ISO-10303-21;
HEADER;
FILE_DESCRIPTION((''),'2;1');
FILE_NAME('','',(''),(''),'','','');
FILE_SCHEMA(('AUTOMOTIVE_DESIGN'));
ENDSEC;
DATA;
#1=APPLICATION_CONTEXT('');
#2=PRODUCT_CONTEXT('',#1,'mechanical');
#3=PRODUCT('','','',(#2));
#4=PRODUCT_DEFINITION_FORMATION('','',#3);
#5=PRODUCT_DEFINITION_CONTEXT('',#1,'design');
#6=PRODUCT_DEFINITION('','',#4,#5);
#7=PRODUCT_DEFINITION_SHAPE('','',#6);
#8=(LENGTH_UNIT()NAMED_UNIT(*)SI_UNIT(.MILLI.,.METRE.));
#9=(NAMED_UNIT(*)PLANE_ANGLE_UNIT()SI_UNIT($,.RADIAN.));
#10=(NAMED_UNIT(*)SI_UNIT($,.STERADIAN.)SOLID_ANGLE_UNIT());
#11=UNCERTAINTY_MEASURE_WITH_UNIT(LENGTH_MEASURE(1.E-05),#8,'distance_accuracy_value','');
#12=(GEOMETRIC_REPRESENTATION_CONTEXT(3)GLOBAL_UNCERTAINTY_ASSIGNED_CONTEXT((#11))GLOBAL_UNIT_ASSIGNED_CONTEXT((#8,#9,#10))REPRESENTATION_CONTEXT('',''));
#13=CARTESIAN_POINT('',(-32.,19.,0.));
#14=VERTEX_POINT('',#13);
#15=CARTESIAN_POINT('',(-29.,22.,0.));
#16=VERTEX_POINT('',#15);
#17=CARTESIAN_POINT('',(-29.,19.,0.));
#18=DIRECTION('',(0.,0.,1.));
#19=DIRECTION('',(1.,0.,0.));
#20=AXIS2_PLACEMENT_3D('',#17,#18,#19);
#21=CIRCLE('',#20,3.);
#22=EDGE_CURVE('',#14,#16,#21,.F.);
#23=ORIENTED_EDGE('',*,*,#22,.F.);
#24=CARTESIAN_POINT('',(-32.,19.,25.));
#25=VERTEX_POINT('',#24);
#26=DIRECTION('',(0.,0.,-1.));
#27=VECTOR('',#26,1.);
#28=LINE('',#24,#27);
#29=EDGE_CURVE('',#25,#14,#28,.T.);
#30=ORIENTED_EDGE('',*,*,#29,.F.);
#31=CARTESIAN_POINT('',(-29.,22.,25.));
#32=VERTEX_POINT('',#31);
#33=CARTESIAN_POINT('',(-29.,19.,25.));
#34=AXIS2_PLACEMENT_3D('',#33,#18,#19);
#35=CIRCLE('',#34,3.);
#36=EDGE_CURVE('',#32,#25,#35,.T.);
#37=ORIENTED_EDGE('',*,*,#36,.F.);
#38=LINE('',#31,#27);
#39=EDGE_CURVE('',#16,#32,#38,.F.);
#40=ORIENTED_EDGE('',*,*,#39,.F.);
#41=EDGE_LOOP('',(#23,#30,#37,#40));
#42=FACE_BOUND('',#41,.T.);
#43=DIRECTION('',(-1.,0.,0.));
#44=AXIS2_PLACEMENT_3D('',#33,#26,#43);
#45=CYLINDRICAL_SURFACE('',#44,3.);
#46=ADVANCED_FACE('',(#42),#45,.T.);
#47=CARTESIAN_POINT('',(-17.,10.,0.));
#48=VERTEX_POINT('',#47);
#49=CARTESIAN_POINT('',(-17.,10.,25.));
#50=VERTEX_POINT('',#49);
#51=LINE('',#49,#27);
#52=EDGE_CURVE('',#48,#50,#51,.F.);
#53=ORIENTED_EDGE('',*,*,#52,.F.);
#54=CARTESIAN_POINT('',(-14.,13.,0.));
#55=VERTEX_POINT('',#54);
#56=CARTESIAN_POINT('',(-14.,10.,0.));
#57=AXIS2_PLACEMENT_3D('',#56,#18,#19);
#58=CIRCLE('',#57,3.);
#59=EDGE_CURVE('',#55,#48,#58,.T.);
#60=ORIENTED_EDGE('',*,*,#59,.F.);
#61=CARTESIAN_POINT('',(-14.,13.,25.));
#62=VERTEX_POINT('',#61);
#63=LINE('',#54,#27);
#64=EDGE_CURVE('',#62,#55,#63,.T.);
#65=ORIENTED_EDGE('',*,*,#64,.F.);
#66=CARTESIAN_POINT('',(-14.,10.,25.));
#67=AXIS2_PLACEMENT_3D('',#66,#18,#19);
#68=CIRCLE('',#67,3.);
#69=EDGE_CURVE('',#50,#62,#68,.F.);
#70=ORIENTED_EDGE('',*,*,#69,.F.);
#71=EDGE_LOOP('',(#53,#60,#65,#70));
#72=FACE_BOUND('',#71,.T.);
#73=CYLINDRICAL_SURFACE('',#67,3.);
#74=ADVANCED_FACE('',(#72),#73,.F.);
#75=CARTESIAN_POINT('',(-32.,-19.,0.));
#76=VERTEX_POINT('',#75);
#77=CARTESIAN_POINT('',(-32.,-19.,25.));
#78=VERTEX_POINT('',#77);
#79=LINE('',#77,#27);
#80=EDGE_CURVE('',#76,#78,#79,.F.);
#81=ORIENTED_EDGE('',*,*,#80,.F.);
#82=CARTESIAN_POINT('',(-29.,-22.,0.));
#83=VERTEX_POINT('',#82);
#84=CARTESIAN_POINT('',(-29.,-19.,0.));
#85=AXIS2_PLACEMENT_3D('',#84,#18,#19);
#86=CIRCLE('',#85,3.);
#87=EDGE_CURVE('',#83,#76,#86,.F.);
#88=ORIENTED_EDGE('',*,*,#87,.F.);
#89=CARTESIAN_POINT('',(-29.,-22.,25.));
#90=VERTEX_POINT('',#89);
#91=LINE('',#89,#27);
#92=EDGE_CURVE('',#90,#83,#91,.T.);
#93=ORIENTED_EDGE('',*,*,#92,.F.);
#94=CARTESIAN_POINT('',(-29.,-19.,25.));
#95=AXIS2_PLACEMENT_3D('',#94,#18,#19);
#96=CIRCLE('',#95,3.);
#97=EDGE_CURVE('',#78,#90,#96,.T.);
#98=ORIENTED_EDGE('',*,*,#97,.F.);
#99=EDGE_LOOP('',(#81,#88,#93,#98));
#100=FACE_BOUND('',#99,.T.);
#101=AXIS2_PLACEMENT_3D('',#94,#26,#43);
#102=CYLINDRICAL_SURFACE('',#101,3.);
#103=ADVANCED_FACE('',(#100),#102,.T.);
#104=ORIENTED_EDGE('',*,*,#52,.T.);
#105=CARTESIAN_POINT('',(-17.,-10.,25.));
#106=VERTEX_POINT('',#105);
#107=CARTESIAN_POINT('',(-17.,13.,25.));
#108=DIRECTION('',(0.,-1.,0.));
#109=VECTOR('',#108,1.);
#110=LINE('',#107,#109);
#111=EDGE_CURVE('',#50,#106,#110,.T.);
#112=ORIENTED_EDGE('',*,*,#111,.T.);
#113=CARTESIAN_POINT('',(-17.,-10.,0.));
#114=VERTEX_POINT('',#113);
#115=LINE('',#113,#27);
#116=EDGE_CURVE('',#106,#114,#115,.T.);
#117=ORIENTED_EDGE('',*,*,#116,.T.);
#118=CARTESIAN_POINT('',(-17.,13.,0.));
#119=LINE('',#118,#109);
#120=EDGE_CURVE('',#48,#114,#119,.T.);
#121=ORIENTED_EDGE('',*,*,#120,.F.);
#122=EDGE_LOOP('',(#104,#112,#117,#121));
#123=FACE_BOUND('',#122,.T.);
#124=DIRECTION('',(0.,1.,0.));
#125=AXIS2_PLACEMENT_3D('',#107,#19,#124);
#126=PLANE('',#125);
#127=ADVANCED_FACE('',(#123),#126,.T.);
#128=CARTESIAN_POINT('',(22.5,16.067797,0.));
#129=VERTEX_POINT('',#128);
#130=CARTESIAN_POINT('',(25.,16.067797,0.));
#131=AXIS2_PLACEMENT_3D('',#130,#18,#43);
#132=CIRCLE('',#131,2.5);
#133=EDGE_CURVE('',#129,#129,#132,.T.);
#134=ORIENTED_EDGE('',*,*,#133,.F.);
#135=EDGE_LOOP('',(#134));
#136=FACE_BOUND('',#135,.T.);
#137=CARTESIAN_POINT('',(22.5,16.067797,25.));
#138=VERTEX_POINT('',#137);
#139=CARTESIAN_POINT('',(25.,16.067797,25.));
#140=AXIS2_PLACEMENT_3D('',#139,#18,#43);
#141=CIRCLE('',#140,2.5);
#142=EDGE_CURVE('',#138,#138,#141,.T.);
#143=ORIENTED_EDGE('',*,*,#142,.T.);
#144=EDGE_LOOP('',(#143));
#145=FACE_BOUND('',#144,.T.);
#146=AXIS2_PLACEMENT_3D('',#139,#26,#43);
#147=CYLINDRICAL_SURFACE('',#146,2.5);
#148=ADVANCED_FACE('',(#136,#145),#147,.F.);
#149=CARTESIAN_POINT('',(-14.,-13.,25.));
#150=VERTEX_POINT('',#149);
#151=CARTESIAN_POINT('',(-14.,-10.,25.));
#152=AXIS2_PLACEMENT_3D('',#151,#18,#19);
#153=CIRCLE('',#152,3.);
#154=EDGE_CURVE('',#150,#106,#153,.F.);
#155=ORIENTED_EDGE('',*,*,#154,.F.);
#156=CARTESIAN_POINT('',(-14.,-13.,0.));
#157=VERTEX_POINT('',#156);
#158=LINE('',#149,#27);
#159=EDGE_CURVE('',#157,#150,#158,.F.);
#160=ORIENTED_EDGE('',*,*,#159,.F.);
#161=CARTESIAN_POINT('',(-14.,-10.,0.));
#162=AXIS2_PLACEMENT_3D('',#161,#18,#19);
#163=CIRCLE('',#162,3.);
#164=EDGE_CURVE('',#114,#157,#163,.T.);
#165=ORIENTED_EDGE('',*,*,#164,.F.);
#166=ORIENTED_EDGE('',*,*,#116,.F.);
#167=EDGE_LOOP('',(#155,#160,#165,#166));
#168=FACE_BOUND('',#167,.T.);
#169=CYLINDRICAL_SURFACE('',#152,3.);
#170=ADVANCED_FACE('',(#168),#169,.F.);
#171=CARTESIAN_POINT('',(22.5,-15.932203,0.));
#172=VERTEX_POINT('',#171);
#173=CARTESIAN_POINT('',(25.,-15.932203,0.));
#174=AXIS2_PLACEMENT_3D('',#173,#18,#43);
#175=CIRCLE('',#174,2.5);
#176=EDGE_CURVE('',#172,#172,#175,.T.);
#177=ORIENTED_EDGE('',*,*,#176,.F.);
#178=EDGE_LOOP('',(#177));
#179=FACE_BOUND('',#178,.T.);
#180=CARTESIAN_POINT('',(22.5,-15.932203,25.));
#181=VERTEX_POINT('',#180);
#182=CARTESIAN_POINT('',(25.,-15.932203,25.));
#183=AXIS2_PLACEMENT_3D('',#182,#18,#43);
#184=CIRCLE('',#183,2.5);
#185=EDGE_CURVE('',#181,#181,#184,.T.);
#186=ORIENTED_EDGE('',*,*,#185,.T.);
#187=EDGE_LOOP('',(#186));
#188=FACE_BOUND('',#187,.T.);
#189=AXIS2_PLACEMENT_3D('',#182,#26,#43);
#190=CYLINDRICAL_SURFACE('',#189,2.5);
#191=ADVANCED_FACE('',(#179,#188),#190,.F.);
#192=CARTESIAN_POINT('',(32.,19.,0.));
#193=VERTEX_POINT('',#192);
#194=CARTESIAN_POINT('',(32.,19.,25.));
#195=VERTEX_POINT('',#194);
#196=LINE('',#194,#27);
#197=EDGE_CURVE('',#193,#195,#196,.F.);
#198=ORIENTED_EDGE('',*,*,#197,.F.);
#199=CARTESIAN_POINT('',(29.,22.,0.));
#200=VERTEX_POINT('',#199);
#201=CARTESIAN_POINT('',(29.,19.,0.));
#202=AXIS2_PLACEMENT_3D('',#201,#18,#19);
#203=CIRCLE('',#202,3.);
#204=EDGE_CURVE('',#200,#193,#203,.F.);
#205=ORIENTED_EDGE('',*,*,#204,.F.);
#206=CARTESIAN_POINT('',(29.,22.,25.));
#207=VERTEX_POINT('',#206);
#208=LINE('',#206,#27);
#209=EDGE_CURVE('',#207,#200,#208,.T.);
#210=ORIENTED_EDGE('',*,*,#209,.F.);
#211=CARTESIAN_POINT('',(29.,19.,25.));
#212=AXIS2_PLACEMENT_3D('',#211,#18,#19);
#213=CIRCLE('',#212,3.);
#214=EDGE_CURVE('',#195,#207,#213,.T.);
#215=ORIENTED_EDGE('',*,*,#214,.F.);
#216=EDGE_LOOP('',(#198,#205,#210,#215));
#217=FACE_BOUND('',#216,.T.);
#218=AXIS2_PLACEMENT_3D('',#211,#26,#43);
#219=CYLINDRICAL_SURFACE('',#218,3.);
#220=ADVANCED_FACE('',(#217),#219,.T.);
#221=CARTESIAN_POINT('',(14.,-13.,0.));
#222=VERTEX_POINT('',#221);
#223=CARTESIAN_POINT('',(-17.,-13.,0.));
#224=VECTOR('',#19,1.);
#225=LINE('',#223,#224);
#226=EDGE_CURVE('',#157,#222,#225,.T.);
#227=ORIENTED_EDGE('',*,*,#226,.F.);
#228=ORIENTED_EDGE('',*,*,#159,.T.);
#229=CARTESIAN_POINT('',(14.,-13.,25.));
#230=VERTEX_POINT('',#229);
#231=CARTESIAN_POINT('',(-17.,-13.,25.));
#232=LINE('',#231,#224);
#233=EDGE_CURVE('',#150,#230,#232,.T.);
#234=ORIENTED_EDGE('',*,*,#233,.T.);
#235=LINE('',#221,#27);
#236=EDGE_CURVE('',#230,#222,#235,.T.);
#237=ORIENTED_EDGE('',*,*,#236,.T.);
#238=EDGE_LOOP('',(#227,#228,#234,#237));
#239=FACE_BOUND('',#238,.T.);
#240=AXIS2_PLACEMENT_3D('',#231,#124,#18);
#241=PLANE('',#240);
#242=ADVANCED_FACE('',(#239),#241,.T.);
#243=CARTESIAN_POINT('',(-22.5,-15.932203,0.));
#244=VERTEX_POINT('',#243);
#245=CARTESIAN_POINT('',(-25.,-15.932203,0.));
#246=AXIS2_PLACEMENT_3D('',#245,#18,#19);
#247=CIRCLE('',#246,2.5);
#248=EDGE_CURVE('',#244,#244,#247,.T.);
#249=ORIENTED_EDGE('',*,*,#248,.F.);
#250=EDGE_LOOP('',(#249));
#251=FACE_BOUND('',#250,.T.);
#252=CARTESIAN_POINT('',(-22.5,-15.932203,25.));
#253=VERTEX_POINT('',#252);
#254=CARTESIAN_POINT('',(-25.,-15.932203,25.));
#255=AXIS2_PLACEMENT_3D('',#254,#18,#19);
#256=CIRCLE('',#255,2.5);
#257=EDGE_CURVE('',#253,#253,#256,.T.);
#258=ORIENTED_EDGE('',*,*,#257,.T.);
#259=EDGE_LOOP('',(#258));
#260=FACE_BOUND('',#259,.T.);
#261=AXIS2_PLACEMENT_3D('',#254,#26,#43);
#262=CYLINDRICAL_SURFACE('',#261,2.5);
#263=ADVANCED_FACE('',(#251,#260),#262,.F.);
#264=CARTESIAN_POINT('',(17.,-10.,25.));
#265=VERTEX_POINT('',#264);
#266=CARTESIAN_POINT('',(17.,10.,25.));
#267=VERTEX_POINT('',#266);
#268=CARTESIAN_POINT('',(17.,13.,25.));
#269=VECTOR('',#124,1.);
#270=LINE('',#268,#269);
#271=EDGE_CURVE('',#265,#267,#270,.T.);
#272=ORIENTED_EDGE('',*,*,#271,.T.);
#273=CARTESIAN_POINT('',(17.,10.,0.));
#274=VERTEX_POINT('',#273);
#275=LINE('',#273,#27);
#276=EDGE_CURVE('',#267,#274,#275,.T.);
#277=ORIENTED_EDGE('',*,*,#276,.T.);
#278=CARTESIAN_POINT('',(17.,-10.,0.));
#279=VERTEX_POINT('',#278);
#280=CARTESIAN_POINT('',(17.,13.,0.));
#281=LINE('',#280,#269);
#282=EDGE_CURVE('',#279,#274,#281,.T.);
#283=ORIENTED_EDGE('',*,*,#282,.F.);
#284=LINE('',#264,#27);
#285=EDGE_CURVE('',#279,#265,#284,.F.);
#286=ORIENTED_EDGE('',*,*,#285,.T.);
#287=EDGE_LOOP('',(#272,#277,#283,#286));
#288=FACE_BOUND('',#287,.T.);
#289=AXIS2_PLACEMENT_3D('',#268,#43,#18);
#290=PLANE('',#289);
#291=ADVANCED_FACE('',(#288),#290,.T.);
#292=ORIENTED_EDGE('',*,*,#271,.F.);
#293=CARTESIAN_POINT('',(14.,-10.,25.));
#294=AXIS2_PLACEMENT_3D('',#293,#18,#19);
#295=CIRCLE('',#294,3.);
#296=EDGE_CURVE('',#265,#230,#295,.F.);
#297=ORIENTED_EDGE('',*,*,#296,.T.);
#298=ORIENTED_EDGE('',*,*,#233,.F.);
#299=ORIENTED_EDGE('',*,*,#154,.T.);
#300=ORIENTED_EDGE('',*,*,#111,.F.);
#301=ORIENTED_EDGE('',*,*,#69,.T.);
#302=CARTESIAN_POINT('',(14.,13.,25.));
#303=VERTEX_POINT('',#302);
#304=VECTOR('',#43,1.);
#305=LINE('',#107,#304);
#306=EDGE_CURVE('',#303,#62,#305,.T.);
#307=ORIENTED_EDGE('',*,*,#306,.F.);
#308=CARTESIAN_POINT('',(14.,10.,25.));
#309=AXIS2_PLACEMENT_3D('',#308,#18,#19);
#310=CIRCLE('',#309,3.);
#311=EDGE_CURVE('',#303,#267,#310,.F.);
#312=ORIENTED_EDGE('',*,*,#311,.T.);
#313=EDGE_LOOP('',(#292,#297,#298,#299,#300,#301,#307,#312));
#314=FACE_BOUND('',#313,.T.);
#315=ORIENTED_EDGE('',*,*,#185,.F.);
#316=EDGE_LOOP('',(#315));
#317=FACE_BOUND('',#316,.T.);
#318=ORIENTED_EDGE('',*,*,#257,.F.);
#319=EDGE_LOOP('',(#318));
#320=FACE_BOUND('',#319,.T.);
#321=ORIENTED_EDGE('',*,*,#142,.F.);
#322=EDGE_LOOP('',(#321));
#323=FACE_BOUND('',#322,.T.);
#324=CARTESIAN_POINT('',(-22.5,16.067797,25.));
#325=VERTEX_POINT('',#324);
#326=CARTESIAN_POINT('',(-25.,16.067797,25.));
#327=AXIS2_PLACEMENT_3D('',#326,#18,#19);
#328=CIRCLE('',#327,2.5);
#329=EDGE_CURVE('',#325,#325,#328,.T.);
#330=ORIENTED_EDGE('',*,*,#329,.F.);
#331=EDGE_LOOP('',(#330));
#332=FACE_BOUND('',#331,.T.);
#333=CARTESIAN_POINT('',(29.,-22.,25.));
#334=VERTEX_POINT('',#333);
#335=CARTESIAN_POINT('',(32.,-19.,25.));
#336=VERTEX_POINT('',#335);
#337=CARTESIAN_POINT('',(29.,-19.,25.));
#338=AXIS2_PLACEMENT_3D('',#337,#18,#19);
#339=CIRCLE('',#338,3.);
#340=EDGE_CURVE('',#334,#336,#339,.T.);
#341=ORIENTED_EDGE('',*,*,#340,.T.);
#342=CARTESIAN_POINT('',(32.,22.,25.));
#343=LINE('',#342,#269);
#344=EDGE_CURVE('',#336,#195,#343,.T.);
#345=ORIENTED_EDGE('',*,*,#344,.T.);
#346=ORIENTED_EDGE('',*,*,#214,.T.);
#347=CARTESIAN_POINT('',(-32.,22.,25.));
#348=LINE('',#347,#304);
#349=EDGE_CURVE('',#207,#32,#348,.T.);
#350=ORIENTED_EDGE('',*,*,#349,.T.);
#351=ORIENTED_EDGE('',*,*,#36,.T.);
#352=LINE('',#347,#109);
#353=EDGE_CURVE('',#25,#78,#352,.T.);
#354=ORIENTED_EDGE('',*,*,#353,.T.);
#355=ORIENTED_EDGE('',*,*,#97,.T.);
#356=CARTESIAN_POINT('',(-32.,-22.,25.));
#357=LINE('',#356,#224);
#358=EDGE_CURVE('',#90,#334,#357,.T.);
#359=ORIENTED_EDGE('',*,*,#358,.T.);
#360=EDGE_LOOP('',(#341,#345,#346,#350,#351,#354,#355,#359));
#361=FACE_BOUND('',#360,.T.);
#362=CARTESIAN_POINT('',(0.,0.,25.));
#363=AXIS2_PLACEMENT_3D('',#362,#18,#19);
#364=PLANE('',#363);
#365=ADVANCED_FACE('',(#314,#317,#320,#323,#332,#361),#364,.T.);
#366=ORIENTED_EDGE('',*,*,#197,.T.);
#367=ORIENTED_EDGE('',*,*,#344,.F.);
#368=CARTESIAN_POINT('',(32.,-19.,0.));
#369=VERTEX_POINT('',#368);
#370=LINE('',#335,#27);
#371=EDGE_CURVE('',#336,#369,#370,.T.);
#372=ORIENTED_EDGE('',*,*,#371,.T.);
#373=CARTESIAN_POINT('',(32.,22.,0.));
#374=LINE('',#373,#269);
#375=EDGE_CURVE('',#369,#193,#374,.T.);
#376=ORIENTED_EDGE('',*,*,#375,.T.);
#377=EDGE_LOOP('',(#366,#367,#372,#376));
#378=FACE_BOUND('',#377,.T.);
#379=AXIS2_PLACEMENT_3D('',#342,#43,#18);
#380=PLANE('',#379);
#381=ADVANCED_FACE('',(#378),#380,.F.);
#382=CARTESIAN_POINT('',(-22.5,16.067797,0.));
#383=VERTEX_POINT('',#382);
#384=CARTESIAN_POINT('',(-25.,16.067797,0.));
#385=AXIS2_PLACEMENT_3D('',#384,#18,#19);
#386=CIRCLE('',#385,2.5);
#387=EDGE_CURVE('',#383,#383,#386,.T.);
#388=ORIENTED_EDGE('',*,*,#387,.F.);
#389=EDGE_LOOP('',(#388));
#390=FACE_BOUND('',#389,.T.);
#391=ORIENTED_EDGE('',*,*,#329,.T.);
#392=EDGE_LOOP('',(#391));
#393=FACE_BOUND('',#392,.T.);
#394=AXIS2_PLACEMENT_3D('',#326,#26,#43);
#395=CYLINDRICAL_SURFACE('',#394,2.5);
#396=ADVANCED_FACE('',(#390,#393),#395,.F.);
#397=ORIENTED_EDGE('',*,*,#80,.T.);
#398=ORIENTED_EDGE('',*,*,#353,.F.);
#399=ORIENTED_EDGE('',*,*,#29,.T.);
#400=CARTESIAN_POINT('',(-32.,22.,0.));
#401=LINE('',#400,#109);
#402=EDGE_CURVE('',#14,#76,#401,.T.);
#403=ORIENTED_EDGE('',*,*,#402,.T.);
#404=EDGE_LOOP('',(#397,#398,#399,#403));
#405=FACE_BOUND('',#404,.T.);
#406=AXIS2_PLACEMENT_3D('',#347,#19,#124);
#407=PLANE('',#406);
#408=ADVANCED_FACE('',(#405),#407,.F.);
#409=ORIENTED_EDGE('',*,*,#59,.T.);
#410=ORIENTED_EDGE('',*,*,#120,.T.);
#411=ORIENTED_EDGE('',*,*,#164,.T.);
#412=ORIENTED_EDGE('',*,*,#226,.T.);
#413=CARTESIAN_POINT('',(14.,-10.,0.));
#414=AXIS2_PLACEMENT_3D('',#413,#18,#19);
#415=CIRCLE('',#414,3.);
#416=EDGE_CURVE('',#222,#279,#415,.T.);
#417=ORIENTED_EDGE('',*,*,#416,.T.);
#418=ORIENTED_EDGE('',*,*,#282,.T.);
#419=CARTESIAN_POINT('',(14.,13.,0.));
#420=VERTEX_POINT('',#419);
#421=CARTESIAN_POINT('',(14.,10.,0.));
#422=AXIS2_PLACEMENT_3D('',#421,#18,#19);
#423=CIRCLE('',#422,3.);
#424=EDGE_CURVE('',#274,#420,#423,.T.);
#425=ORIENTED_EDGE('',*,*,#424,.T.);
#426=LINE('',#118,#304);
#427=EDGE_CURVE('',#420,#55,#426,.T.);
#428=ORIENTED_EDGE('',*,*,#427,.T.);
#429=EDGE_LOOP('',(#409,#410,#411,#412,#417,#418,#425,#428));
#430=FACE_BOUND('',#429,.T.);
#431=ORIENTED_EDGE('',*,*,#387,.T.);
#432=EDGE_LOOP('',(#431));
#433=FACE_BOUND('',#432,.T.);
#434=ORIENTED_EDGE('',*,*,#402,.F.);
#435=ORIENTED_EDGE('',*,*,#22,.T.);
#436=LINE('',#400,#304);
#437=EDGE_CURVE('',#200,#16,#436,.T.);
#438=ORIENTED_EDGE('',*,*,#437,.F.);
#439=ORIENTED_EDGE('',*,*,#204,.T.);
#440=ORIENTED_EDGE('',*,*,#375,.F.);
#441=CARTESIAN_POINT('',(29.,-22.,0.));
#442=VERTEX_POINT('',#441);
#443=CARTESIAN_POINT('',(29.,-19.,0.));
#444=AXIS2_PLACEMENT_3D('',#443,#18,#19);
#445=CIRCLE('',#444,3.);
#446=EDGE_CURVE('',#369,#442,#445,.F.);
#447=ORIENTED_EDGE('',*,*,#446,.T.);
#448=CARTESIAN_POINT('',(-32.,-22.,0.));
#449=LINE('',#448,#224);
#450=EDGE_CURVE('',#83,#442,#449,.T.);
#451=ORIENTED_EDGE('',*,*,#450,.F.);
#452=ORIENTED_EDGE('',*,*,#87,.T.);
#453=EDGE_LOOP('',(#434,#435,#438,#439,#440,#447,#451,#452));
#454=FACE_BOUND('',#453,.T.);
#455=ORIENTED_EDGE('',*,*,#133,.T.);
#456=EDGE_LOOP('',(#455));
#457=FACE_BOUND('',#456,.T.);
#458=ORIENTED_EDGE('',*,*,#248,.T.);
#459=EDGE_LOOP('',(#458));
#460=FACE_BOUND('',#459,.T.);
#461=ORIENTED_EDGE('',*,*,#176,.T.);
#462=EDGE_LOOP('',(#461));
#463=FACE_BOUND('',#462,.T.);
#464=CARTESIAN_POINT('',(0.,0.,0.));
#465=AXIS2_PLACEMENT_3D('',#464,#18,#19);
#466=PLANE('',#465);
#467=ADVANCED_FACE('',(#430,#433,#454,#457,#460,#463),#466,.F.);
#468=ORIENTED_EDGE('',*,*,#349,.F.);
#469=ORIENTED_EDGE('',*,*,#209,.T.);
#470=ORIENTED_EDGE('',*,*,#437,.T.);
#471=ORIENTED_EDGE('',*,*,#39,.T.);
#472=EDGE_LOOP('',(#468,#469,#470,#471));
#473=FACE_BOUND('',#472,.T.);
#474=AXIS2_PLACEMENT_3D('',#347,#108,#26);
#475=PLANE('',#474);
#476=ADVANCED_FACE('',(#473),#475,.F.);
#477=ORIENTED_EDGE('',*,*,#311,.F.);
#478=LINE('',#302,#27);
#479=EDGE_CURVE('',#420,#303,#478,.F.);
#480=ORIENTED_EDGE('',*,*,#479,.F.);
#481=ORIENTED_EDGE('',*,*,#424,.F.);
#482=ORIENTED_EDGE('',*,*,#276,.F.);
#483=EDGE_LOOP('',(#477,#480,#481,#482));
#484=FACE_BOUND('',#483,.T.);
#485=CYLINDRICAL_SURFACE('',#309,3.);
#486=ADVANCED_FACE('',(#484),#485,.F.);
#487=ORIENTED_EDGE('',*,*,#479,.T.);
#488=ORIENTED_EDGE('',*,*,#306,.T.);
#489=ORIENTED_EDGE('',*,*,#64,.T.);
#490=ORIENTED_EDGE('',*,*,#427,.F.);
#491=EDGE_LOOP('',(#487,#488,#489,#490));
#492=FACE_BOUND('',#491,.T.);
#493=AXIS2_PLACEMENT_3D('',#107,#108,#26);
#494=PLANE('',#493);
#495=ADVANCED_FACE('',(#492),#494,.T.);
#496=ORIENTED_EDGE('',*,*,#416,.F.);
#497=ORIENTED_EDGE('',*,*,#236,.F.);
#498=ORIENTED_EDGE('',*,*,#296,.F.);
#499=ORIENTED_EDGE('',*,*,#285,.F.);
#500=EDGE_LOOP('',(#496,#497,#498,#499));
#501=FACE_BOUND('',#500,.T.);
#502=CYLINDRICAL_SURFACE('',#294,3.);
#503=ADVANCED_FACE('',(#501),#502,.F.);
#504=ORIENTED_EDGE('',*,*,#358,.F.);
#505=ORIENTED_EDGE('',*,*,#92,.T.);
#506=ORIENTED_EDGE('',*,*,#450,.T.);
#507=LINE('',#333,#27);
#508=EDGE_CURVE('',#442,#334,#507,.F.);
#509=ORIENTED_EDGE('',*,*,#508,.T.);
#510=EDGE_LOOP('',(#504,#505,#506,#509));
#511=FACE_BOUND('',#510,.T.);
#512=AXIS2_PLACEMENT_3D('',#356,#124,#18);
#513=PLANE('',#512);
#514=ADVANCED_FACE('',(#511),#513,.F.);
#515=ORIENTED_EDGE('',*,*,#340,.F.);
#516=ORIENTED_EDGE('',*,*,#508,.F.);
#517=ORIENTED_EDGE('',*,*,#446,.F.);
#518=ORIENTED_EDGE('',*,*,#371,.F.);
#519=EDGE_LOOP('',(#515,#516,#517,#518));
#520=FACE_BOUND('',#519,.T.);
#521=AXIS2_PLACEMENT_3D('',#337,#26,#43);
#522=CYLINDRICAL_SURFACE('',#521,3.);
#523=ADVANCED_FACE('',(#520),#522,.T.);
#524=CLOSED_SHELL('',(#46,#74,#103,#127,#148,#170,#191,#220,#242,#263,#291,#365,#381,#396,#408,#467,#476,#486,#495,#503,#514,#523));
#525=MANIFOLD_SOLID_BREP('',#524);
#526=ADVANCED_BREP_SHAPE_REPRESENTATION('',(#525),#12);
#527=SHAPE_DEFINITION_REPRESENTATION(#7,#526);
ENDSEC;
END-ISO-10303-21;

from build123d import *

# Parameters (mm, degrees)
SKETCH_1_W      = 64
SKETCH_1_H      = 44
SKETCH_1_R      = 2.5
SKETCH_1_W_2    = 34
SKETCH_1_H_2    = 26
EXTRUDE_1_DEPTH = 25
FILLET_1_R      = 3


with BuildPart() as part:
    # 草图1 → 凸台-拉伸1 (new body)
    with BuildSketch(Plane.XY):
        Rectangle(SKETCH_1_W, SKETCH_1_H)
        with Locations((-25, 16.06779661)):
            Circle(SKETCH_1_R, mode=Mode.SUBTRACT)
        with Locations((-25, -15.93220339)):
            Circle(SKETCH_1_R, mode=Mode.SUBTRACT)
        with Locations((25, -15.93220339)):
            Circle(SKETCH_1_R, mode=Mode.SUBTRACT)
        with Locations((25, 16.06779661)):
            Circle(SKETCH_1_R, mode=Mode.SUBTRACT)
        Rectangle(SKETCH_1_W_2, SKETCH_1_H_2, mode=Mode.SUBTRACT)
    extrude(amount=EXTRUDE_1_DEPTH)

    # 圆角1
    fillet_1_edges = [part.edges().sort_by_distance(p)[0] for p in [
        (17, -13, 12.5),
        (17, 13, 12.5),
        (-17, 13, 12.5),
        (-17, -13, 12.5),
        (32, -22, 12.5),
        (-32, -22, 12.5),
        (-32, 22, 12.5),
        (32, 22, 12.5),
    ]]
    fillet(fillet_1_edges, radius=FILLET_1_R)


solid = part.part
